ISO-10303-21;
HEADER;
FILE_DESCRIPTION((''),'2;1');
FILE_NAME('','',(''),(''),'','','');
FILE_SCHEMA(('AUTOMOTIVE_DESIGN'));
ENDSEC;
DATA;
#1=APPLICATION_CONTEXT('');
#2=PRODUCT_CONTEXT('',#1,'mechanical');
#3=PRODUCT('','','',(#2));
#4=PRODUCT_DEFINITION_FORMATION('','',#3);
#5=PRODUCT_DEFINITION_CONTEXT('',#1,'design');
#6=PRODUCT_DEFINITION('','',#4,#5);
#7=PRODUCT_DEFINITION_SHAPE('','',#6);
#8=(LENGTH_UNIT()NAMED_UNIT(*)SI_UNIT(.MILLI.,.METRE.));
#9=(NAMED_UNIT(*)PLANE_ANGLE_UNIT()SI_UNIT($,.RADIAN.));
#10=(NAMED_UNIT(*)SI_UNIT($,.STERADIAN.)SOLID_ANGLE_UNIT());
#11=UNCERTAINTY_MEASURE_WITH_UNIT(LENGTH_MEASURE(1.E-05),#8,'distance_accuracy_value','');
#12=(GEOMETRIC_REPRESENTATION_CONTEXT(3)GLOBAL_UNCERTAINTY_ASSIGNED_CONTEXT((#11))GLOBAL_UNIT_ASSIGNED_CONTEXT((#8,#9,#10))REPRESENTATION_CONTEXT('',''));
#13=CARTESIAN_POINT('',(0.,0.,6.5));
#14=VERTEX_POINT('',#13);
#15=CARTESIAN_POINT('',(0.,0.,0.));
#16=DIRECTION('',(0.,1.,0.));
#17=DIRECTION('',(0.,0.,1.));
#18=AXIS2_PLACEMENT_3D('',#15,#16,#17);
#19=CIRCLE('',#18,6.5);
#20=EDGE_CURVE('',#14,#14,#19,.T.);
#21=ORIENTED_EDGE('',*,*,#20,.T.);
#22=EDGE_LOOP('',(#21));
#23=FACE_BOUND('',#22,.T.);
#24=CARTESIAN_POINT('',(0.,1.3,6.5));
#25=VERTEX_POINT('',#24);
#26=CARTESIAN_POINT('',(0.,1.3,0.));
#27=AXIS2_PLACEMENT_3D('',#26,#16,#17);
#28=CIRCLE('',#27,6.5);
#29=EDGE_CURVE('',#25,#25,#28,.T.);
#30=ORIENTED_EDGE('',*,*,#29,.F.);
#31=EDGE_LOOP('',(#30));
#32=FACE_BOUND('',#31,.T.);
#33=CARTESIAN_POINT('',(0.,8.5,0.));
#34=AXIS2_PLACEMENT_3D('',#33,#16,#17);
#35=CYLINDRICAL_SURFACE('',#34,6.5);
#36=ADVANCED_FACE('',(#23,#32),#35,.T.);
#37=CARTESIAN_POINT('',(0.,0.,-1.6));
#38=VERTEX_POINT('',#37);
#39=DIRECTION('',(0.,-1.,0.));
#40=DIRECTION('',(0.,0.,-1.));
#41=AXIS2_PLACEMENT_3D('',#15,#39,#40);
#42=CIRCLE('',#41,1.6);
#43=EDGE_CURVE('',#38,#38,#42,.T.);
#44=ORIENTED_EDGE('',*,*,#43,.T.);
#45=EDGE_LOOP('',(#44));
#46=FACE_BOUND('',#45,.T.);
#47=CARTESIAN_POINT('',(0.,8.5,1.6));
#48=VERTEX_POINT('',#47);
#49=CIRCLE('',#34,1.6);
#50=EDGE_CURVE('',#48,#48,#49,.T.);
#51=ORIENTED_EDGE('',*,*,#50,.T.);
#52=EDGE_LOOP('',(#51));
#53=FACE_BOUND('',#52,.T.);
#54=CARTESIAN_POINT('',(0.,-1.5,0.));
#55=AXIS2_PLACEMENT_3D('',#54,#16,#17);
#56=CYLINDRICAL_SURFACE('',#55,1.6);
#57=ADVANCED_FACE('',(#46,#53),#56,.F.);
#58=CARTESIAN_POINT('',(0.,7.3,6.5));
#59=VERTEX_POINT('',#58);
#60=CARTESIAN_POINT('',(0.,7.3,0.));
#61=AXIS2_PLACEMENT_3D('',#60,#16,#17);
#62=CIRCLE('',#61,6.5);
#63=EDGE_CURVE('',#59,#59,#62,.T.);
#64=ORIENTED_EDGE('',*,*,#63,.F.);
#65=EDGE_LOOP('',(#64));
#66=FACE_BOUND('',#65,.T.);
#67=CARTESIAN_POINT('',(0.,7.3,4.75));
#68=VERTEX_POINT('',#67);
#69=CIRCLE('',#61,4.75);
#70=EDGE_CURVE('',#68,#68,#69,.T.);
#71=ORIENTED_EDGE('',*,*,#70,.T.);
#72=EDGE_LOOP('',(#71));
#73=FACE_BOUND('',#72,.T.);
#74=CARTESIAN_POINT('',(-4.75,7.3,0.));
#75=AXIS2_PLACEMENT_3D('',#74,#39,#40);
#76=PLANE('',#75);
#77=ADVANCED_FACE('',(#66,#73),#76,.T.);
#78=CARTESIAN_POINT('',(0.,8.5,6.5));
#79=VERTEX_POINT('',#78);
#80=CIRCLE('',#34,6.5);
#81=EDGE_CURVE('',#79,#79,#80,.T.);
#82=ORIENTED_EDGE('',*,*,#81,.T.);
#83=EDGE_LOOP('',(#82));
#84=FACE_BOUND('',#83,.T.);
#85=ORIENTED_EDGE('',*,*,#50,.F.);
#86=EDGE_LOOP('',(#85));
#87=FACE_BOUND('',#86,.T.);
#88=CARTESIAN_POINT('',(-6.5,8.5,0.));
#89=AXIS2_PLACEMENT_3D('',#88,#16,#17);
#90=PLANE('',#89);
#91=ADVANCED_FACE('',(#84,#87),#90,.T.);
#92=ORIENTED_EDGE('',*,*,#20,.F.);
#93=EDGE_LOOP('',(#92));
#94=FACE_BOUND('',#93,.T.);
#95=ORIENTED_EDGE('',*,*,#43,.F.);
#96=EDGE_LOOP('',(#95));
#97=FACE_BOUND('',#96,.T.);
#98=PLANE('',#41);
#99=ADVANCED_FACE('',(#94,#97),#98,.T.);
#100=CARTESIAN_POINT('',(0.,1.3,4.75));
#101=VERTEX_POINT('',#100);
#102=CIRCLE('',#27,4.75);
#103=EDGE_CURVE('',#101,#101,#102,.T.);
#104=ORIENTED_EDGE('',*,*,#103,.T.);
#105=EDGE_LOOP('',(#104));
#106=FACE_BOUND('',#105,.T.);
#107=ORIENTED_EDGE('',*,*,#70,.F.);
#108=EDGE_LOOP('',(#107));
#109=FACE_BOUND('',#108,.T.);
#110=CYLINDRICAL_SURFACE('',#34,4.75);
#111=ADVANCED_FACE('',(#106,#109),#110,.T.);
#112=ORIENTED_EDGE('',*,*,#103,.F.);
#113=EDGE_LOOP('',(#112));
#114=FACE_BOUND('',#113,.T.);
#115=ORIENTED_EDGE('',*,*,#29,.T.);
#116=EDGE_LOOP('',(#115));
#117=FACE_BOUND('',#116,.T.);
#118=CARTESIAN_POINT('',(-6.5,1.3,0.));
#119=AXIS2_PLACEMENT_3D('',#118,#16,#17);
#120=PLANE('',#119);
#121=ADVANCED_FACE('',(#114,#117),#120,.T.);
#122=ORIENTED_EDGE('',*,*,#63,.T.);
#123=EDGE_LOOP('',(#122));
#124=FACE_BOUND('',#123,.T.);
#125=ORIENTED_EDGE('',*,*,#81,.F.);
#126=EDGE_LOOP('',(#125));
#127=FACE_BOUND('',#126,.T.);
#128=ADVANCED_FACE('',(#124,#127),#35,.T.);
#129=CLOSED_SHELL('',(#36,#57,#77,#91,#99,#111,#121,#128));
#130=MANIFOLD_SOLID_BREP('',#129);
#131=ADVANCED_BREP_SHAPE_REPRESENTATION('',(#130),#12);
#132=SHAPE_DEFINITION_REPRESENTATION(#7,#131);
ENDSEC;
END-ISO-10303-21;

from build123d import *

# Parameters (mm, degrees)
SKETCH_2_R          = 1.6
CUT_EXTRUDE_1_DEPTH = 10


with BuildPart() as part:
    # 草图1 → 旋转1 (revolve)
    with BuildSketch(Plane.XY, mode=Mode.PRIVATE) as revolve_1_sk:
        Polygon((0, 0), (-6.5, 0), (-6.5, 1.3), (-4.75, 1.3), (-4.75, 7.3), (-6.5, 7.3), (-6.5, 8.5), (0, 8.5), align=None)
    revolve(revolve_1_sk.sketch.rotate(Axis((0, 8.5, 0), (0, -1, 0)), 270), axis=Axis((0, 8.5, 0), (0, -1, 0)))

    # 草图2 → 切除-拉伸1 (cut)
    with BuildSketch(Plane(origin=(0, 8.5, 0), x_dir=(1, 0, 0), z_dir=(0, 1, 0))):
        with Locations(Location((0, 0, 0), (0, 0, 270))):
            Circle(SKETCH_2_R)
    extrude(amount=-CUT_EXTRUDE_1_DEPTH, mode=Mode.SUBTRACT)


solid = part.part
